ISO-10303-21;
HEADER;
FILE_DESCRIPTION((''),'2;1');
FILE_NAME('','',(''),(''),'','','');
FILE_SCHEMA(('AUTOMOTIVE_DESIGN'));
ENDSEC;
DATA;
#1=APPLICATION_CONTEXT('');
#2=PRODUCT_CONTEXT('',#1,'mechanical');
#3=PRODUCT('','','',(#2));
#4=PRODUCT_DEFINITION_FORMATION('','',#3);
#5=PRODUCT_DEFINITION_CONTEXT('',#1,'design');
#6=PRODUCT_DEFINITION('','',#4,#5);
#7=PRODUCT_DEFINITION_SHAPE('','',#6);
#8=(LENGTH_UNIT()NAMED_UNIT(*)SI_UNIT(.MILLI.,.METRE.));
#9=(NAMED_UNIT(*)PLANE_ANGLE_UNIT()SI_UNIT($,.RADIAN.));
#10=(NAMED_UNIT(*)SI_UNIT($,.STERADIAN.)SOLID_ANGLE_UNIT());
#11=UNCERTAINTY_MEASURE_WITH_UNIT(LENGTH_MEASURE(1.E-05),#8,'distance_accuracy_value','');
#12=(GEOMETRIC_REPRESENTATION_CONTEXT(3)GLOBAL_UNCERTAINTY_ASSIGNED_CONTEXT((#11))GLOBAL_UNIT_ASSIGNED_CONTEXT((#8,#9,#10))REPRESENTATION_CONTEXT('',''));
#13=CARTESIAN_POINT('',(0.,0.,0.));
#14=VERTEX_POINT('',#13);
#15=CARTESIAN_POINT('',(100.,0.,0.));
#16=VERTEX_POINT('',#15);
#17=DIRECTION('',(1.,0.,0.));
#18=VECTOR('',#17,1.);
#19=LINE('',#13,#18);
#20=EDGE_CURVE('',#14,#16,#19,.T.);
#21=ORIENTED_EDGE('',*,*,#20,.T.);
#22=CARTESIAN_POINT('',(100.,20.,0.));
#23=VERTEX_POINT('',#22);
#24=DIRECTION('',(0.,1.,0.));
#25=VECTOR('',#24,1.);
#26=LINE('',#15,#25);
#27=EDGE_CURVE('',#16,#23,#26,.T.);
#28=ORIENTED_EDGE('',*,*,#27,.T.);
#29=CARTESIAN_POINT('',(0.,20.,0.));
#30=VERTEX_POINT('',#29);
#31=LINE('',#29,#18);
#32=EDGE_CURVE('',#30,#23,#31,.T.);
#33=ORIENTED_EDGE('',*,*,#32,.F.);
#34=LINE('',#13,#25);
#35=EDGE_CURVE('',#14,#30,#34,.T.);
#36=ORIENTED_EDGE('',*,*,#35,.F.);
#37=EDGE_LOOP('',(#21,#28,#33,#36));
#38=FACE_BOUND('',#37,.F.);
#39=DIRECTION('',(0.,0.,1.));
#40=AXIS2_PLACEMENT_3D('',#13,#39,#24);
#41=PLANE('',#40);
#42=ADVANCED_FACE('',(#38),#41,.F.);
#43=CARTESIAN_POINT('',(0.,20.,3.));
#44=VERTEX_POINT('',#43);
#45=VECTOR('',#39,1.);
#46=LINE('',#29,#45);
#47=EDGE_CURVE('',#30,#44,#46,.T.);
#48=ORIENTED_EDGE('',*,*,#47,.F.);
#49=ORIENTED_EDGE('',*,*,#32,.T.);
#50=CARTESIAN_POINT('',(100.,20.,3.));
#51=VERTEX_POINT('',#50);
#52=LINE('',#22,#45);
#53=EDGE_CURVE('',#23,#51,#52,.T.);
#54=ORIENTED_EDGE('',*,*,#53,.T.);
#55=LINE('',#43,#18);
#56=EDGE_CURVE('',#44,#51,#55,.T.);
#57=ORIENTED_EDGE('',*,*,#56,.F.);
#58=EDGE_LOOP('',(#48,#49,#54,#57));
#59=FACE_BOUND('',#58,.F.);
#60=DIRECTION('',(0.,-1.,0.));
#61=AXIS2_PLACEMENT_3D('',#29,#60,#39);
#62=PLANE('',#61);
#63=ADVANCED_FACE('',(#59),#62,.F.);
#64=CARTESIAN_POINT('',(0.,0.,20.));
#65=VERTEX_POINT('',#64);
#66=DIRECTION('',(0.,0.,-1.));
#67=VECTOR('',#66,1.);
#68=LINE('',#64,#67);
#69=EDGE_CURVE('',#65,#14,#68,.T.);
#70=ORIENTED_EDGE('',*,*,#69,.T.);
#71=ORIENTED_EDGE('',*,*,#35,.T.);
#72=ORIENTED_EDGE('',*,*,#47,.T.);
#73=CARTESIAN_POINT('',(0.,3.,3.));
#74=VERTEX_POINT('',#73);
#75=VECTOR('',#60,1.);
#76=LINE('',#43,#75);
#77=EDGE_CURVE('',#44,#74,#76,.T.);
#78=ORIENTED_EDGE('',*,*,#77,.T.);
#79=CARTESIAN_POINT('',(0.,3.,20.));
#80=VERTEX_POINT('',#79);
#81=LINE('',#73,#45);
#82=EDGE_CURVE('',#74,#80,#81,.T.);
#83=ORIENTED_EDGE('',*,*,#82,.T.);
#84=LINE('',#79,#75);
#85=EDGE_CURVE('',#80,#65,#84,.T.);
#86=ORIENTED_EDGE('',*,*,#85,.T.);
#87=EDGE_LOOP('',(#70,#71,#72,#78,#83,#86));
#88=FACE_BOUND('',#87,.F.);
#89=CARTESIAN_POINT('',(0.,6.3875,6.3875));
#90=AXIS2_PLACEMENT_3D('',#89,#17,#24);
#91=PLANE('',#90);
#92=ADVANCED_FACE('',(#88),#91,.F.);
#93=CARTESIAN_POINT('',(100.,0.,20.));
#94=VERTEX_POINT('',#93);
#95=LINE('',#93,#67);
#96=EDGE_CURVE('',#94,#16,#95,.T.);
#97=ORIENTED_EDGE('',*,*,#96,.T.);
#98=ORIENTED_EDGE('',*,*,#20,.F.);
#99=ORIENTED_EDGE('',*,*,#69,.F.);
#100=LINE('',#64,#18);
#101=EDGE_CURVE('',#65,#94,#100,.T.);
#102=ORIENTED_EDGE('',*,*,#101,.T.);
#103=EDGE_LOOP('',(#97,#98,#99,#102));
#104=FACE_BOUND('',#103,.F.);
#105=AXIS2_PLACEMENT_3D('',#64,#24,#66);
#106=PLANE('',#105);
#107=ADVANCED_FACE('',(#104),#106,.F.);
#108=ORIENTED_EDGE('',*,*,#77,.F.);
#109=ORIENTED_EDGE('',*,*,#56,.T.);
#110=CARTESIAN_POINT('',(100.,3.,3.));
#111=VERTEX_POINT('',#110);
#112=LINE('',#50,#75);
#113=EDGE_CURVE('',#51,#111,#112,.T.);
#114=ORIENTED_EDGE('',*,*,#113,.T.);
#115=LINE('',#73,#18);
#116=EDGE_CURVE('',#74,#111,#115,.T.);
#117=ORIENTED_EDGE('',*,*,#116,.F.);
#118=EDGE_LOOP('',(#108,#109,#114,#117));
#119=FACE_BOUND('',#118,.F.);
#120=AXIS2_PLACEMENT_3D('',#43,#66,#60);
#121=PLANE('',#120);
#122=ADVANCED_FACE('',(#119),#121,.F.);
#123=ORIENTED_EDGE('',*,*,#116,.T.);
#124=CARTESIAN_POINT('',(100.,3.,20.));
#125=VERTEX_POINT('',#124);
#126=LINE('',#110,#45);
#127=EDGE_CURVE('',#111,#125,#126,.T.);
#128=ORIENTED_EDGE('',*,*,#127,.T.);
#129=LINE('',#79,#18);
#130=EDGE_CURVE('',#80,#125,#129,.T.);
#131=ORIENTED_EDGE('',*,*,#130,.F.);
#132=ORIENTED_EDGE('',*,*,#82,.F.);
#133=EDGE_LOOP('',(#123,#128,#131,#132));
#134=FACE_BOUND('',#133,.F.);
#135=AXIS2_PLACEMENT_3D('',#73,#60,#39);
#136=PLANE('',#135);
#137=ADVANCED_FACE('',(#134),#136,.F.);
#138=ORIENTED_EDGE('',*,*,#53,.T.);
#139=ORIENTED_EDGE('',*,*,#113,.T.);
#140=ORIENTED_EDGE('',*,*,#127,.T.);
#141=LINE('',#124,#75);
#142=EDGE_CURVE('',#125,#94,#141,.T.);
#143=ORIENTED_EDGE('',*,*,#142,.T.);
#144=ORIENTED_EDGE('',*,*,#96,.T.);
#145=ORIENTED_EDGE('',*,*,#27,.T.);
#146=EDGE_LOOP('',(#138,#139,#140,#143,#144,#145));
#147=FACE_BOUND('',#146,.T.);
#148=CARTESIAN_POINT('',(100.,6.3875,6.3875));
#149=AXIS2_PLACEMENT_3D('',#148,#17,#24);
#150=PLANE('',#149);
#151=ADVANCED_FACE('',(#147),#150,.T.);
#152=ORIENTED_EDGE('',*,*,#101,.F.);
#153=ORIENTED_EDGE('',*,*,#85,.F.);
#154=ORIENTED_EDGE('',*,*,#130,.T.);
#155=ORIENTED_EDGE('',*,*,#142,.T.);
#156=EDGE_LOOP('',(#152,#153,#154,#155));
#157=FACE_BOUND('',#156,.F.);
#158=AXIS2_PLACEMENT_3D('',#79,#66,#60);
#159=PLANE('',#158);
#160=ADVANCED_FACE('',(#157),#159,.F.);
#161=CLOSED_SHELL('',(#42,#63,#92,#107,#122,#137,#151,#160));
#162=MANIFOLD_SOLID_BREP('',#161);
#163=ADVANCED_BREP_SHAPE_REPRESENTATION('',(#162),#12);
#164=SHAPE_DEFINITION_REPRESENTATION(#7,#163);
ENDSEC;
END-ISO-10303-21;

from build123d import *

# Parameters (mm, degrees)
PAD_DEPTH = 100


with BuildPart() as part:
    # Sketch → Pad (new body)
    with BuildSketch(Plane.YZ):
        Polygon((0, 0), (20, 0), (20, 3), (3, 3), (3, 20), (0, 20), align=None)
    extrude(amount=PAD_DEPTH)


solid = part.part
